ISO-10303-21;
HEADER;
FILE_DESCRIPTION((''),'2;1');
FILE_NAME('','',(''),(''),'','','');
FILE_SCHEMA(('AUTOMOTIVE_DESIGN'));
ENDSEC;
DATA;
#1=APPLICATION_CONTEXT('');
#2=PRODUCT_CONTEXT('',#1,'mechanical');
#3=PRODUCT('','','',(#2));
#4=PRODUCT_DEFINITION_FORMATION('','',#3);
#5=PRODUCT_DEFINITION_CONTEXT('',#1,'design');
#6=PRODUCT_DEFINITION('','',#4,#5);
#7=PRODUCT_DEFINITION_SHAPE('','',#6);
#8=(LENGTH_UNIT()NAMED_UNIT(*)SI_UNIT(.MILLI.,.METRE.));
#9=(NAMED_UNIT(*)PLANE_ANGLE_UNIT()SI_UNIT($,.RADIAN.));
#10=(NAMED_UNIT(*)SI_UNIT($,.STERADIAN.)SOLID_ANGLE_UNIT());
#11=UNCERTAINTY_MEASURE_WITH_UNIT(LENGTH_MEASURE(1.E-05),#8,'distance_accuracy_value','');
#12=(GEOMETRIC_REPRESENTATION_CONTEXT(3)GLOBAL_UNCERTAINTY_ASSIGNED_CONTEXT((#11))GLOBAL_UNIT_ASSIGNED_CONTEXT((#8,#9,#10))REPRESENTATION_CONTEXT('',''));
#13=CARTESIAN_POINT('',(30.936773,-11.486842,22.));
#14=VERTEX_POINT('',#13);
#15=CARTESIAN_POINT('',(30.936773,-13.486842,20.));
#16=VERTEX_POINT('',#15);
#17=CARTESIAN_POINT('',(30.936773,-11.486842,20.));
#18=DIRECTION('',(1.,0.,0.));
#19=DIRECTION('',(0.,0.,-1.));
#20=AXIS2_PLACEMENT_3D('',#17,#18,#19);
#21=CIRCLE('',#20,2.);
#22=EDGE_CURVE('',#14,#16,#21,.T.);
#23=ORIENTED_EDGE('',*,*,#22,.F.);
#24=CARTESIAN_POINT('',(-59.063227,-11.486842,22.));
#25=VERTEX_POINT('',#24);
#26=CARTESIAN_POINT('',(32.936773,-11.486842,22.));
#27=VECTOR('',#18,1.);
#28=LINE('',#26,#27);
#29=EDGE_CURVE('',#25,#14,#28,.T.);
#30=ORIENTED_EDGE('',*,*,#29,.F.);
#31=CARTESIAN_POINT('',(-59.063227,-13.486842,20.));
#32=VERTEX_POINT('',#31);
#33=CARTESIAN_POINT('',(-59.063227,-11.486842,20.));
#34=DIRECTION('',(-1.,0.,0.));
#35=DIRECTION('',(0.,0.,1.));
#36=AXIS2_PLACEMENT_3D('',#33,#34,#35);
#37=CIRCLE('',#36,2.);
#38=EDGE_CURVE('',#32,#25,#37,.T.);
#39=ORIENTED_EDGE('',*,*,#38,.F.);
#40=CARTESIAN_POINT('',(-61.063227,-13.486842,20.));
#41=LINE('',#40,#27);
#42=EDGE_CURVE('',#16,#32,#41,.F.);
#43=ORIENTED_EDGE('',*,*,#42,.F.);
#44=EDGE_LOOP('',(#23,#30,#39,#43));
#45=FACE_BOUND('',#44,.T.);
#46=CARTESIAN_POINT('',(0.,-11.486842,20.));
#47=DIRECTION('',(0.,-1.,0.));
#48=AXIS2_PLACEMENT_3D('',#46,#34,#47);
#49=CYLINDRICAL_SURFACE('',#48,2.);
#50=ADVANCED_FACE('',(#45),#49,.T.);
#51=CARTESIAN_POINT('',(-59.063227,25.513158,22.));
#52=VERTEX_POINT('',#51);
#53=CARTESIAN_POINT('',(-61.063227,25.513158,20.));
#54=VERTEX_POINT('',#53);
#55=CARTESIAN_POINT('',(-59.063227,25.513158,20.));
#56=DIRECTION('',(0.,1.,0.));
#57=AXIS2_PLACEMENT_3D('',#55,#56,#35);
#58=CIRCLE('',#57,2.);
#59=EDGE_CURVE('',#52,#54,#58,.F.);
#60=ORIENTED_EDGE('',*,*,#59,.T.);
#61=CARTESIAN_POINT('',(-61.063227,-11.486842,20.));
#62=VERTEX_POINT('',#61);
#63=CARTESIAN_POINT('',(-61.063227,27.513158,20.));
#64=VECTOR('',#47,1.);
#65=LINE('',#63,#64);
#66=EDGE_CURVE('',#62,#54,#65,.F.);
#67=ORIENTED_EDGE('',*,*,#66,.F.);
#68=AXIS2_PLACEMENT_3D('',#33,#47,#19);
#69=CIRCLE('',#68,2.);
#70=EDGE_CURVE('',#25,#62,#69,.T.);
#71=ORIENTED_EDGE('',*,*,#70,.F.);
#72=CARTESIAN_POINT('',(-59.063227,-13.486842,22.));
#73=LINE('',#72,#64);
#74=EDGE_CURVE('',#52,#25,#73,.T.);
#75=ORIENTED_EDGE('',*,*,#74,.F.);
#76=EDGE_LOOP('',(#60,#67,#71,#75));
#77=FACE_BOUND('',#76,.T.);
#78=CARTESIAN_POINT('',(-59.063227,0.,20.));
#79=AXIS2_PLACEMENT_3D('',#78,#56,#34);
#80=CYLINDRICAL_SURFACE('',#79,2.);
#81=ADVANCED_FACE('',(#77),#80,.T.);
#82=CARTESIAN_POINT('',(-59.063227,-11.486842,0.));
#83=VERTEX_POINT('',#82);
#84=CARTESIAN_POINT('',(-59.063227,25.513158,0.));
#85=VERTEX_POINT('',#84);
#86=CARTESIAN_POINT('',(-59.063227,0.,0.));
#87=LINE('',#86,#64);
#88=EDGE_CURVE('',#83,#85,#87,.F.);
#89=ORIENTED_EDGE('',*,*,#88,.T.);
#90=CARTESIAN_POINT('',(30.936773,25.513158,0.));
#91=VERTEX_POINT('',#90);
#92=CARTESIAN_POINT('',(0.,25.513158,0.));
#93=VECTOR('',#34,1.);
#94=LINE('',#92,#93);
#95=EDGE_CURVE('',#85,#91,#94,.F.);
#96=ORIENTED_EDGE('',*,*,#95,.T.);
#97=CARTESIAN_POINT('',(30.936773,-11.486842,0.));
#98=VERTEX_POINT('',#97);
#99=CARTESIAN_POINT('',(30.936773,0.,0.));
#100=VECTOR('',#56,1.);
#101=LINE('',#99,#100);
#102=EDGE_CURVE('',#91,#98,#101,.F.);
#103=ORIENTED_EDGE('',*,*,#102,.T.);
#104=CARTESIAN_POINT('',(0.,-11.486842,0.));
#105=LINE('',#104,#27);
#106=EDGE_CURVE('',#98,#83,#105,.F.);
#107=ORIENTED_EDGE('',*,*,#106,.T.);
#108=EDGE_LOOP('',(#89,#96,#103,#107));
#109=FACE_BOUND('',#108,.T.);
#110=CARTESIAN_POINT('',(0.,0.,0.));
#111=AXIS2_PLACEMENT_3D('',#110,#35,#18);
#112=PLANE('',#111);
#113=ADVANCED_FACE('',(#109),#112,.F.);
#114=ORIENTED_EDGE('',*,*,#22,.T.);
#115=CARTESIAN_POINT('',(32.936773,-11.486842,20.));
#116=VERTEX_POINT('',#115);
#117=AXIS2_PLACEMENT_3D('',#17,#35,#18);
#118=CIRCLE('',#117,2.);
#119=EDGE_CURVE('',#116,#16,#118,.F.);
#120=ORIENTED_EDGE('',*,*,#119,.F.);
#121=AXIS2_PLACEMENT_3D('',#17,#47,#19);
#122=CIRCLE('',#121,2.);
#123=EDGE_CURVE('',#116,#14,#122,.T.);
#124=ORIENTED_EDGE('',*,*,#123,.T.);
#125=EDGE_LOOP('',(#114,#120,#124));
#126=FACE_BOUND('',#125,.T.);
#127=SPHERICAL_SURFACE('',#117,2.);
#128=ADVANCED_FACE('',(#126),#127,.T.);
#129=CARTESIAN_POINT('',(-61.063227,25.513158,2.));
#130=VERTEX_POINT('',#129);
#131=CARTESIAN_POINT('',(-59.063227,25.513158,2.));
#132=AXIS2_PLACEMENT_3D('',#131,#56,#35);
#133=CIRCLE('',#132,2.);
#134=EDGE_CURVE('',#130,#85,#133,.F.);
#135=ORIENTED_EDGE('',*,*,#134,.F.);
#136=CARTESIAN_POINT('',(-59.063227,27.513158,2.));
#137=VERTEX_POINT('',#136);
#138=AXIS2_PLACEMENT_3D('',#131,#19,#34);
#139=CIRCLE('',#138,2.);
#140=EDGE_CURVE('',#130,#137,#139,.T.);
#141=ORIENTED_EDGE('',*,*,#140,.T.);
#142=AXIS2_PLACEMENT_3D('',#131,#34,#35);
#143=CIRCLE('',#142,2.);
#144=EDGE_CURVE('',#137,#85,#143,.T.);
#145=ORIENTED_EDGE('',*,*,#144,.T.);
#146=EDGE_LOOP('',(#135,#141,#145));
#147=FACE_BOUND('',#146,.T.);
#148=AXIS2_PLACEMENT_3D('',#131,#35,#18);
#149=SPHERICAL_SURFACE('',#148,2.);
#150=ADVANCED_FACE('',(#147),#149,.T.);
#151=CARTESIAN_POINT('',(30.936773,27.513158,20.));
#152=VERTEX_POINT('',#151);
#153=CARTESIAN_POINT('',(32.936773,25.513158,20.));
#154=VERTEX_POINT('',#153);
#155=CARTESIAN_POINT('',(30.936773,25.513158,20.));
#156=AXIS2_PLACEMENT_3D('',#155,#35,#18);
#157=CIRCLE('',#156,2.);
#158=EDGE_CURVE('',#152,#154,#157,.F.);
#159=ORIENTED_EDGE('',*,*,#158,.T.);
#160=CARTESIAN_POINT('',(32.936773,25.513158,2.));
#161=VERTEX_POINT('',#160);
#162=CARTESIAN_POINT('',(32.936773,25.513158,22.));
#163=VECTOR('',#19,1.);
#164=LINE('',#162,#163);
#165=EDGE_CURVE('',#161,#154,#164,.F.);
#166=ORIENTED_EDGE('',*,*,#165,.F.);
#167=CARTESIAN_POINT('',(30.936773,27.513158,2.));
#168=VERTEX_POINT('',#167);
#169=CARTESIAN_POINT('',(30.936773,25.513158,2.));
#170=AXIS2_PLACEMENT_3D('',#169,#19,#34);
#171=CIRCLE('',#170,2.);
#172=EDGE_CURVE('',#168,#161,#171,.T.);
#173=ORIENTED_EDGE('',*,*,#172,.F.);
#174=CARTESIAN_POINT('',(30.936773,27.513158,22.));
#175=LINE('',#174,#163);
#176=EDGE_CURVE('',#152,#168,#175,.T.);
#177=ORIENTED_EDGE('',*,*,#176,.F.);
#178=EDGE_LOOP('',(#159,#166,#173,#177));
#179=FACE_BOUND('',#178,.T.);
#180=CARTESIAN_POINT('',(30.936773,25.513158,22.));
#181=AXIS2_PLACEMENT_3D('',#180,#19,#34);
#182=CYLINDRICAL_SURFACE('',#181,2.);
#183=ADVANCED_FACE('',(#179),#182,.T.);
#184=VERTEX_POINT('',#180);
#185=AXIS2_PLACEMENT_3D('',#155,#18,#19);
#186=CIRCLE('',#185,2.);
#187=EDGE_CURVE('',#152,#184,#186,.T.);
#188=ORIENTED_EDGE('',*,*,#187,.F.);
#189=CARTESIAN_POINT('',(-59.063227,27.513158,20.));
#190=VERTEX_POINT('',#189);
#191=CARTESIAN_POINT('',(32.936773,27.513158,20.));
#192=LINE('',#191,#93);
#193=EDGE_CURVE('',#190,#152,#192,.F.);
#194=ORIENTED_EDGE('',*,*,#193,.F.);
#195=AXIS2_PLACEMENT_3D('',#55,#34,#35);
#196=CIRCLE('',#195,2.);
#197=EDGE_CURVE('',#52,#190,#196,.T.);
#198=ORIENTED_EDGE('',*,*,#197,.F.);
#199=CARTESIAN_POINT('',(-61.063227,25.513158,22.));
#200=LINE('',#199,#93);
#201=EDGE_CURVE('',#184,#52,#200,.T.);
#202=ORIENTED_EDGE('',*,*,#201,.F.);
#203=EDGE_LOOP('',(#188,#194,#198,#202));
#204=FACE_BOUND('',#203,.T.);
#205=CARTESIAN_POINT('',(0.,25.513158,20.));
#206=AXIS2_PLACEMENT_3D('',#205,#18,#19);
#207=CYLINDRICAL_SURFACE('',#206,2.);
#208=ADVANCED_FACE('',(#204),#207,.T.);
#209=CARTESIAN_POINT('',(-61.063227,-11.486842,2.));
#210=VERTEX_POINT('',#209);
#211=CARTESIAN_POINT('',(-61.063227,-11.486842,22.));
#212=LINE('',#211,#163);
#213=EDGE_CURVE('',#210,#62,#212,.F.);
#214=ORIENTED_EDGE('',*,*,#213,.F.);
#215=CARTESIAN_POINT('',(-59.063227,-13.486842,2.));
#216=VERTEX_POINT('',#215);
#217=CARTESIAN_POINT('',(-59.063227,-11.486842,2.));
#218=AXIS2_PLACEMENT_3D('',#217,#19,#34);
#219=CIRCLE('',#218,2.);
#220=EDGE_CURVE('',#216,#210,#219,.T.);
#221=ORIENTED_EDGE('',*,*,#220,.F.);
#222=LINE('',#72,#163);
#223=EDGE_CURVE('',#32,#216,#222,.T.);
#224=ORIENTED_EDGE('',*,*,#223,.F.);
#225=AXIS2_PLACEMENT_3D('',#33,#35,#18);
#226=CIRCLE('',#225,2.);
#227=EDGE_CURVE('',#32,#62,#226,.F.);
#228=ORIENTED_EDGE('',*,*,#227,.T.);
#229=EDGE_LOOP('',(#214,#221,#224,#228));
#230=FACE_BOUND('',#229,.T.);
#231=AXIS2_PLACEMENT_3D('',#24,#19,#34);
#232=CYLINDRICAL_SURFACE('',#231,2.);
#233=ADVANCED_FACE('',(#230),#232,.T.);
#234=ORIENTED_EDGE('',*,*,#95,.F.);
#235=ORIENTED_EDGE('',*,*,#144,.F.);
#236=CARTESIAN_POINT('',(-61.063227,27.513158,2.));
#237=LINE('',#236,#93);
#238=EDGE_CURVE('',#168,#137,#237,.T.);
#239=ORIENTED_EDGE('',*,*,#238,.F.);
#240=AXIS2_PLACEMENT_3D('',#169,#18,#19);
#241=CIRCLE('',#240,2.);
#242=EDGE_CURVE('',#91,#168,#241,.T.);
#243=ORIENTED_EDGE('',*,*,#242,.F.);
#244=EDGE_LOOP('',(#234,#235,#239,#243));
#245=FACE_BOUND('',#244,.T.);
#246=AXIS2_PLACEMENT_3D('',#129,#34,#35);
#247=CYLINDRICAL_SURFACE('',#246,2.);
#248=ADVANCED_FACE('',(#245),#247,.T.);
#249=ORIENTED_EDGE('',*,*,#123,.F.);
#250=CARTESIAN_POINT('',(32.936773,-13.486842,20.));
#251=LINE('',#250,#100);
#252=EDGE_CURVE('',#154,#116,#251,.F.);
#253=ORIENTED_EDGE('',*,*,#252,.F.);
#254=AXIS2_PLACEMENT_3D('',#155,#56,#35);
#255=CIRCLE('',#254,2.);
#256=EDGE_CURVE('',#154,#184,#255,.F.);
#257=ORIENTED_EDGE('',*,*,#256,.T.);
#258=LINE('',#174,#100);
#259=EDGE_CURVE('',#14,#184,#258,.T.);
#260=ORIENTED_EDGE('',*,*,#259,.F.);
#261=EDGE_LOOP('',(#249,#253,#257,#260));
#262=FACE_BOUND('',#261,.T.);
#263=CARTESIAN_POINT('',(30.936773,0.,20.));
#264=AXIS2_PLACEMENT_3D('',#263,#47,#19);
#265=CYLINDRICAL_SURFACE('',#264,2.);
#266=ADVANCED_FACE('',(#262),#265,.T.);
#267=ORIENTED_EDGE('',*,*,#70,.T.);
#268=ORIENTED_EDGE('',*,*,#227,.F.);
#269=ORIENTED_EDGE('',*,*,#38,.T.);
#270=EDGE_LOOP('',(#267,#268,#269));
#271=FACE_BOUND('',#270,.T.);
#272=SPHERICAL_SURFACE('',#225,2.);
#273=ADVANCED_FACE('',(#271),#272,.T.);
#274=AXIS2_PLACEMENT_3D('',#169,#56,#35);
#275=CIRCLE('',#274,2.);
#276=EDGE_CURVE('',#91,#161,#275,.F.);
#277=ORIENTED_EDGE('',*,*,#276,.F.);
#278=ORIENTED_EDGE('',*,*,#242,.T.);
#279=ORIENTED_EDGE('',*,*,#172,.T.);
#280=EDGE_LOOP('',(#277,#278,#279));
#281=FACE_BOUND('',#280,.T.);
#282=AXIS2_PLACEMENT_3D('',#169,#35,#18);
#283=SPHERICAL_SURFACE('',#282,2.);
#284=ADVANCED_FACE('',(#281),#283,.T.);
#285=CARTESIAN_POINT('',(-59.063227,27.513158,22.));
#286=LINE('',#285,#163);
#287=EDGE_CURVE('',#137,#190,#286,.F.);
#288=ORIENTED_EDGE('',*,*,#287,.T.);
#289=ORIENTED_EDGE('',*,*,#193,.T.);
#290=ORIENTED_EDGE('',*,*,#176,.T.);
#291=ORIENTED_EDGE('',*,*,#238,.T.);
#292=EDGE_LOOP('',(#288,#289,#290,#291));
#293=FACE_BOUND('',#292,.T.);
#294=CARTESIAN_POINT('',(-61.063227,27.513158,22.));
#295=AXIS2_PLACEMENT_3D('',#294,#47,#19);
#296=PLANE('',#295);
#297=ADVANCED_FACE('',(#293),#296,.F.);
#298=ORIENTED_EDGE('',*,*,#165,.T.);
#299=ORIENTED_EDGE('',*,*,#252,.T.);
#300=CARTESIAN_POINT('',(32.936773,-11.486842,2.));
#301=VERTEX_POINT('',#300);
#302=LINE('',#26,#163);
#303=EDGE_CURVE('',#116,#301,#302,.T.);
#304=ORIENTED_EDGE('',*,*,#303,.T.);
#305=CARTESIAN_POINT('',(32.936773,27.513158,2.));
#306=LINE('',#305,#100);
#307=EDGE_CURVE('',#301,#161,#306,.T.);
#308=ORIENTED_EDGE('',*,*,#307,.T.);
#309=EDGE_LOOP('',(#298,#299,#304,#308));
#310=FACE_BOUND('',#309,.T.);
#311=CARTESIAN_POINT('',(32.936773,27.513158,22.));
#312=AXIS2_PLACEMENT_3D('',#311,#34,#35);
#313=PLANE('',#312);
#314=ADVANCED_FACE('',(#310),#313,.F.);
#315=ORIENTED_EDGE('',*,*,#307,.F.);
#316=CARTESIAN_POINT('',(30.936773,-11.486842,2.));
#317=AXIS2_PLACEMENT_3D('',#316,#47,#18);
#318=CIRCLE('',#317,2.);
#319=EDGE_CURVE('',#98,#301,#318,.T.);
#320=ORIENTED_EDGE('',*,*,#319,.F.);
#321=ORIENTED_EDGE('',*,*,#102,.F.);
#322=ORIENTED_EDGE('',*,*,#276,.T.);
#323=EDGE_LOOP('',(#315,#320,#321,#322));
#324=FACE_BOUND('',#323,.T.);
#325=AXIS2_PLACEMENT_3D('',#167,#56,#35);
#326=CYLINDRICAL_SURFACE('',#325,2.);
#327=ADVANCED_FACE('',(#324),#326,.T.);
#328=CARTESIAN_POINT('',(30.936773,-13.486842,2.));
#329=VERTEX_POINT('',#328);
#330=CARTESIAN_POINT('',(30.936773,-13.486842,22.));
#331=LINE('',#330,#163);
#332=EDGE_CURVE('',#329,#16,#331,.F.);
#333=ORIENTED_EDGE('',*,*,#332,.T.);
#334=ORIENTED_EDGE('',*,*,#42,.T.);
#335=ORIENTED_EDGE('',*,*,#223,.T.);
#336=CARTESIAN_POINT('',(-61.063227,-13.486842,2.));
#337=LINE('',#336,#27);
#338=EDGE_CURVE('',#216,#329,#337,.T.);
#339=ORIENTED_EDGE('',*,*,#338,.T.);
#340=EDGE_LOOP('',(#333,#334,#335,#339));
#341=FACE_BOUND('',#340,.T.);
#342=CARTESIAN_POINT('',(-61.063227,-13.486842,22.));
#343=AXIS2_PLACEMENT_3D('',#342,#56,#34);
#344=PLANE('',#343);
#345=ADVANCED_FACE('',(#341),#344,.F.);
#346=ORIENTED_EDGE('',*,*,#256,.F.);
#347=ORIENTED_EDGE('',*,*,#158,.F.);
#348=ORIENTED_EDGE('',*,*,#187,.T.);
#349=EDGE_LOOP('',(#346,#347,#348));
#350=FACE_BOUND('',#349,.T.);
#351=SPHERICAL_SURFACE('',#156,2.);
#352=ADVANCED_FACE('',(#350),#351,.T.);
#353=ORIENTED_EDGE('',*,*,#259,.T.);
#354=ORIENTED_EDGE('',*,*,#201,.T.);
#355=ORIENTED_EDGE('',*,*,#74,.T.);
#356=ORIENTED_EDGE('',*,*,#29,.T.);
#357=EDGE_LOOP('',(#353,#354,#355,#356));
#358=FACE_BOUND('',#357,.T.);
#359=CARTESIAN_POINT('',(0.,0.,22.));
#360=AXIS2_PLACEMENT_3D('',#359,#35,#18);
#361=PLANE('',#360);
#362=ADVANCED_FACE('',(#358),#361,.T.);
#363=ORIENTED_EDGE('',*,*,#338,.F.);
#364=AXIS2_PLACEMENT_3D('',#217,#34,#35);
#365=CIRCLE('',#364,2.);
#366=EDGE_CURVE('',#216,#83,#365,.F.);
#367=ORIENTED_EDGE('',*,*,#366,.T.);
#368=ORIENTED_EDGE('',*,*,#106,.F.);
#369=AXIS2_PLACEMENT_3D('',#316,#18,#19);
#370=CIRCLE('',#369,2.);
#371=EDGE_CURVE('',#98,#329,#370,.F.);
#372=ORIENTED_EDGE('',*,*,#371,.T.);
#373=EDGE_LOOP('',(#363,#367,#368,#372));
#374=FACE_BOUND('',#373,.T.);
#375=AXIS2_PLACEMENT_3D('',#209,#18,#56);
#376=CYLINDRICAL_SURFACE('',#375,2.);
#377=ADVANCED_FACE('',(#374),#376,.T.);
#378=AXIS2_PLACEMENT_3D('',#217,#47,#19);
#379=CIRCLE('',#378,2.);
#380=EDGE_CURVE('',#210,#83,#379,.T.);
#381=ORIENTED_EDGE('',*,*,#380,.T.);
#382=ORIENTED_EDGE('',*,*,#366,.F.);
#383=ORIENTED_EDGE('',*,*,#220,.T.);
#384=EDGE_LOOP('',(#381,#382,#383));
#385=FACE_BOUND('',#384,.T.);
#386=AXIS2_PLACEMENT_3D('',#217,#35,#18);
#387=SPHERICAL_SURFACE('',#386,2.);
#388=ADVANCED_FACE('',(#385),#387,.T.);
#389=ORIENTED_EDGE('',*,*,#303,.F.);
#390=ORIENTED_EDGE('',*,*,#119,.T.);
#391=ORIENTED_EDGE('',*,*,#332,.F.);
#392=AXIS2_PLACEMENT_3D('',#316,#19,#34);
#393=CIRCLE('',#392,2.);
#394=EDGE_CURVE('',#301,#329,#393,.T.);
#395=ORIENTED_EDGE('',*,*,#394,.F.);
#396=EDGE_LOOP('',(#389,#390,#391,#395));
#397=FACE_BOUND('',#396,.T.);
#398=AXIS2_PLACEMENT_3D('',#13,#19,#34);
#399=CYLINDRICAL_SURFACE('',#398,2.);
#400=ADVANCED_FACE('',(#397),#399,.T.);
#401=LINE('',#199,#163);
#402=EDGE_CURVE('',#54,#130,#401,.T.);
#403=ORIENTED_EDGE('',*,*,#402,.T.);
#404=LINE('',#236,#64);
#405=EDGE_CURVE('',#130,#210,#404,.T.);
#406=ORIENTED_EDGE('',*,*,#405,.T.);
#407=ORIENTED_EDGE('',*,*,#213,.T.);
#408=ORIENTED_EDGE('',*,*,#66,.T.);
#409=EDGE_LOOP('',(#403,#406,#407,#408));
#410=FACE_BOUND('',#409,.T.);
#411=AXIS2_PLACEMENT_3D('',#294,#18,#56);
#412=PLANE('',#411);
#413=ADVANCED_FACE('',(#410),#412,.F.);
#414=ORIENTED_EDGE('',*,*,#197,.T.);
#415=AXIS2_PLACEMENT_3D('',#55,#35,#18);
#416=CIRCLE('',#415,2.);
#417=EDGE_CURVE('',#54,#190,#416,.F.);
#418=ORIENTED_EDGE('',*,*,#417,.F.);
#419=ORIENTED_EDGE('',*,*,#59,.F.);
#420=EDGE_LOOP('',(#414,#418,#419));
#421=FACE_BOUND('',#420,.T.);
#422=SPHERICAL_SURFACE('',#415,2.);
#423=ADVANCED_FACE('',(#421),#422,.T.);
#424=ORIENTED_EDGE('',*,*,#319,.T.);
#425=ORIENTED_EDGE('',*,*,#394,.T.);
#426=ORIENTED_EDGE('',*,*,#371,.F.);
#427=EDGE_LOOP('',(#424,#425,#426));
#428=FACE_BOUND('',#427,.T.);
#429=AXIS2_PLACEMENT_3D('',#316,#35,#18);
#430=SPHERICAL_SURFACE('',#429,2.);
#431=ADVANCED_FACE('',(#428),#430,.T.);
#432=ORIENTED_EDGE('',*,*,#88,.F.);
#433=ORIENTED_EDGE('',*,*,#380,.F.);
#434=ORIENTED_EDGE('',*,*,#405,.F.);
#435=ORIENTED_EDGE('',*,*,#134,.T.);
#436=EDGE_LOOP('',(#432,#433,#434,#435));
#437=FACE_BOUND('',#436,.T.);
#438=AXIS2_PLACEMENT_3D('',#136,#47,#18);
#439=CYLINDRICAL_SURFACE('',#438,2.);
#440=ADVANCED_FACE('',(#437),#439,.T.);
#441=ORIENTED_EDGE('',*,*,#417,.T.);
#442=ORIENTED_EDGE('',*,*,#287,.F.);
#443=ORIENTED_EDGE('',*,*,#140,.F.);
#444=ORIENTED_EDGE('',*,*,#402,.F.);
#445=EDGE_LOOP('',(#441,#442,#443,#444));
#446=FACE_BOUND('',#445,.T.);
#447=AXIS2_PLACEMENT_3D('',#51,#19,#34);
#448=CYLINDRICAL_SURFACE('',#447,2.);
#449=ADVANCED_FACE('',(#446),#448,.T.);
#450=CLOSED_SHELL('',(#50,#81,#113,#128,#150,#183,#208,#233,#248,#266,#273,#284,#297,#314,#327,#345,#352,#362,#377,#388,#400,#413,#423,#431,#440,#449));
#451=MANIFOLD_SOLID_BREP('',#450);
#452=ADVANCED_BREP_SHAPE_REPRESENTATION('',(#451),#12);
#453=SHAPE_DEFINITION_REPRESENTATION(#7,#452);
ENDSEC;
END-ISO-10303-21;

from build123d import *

# Parameters (mm, degrees)
SKETCH_1_W      = 94
SKETCH_1_H      = 41
EXTRUDE_1_DEPTH = 22
FILLET_1_R      = 2


with BuildPart() as part:
    # 草图1 → 凸台-拉伸1 (new body)
    with BuildSketch(Plane.XY):
        with Locations((-14.063226831, 7.013157895)):
            Rectangle(SKETCH_1_W, SKETCH_1_H)
    extrude(amount=EXTRUDE_1_DEPTH)

    # 圆角1
    fillet_1_edges = [part.edges().sort_by_distance(p)[0] for p in [
        (-61.063226831, 7.013157895, 22),
        (-14.063226831, -13.486842105, 22),
        (32.936773169, 7.013157895, 22),
        (-14.063226831, -13.486842105, 0),
        (-61.063226831, 7.013157895, 0),
        (-14.063226831, 27.513157895, 0),
        (32.936773169, 7.013157895, 0),
        (-14.063226831, 27.513157895, 22),
        (32.936773169, -13.486842105, 11),
        (-61.063226831, -13.486842105, 11),
        (-61.063226831, 27.513157895, 11),
        (32.936773169, 27.513157895, 11),
    ]]
    fillet(fillet_1_edges, radius=FILLET_1_R)


solid = part.part
